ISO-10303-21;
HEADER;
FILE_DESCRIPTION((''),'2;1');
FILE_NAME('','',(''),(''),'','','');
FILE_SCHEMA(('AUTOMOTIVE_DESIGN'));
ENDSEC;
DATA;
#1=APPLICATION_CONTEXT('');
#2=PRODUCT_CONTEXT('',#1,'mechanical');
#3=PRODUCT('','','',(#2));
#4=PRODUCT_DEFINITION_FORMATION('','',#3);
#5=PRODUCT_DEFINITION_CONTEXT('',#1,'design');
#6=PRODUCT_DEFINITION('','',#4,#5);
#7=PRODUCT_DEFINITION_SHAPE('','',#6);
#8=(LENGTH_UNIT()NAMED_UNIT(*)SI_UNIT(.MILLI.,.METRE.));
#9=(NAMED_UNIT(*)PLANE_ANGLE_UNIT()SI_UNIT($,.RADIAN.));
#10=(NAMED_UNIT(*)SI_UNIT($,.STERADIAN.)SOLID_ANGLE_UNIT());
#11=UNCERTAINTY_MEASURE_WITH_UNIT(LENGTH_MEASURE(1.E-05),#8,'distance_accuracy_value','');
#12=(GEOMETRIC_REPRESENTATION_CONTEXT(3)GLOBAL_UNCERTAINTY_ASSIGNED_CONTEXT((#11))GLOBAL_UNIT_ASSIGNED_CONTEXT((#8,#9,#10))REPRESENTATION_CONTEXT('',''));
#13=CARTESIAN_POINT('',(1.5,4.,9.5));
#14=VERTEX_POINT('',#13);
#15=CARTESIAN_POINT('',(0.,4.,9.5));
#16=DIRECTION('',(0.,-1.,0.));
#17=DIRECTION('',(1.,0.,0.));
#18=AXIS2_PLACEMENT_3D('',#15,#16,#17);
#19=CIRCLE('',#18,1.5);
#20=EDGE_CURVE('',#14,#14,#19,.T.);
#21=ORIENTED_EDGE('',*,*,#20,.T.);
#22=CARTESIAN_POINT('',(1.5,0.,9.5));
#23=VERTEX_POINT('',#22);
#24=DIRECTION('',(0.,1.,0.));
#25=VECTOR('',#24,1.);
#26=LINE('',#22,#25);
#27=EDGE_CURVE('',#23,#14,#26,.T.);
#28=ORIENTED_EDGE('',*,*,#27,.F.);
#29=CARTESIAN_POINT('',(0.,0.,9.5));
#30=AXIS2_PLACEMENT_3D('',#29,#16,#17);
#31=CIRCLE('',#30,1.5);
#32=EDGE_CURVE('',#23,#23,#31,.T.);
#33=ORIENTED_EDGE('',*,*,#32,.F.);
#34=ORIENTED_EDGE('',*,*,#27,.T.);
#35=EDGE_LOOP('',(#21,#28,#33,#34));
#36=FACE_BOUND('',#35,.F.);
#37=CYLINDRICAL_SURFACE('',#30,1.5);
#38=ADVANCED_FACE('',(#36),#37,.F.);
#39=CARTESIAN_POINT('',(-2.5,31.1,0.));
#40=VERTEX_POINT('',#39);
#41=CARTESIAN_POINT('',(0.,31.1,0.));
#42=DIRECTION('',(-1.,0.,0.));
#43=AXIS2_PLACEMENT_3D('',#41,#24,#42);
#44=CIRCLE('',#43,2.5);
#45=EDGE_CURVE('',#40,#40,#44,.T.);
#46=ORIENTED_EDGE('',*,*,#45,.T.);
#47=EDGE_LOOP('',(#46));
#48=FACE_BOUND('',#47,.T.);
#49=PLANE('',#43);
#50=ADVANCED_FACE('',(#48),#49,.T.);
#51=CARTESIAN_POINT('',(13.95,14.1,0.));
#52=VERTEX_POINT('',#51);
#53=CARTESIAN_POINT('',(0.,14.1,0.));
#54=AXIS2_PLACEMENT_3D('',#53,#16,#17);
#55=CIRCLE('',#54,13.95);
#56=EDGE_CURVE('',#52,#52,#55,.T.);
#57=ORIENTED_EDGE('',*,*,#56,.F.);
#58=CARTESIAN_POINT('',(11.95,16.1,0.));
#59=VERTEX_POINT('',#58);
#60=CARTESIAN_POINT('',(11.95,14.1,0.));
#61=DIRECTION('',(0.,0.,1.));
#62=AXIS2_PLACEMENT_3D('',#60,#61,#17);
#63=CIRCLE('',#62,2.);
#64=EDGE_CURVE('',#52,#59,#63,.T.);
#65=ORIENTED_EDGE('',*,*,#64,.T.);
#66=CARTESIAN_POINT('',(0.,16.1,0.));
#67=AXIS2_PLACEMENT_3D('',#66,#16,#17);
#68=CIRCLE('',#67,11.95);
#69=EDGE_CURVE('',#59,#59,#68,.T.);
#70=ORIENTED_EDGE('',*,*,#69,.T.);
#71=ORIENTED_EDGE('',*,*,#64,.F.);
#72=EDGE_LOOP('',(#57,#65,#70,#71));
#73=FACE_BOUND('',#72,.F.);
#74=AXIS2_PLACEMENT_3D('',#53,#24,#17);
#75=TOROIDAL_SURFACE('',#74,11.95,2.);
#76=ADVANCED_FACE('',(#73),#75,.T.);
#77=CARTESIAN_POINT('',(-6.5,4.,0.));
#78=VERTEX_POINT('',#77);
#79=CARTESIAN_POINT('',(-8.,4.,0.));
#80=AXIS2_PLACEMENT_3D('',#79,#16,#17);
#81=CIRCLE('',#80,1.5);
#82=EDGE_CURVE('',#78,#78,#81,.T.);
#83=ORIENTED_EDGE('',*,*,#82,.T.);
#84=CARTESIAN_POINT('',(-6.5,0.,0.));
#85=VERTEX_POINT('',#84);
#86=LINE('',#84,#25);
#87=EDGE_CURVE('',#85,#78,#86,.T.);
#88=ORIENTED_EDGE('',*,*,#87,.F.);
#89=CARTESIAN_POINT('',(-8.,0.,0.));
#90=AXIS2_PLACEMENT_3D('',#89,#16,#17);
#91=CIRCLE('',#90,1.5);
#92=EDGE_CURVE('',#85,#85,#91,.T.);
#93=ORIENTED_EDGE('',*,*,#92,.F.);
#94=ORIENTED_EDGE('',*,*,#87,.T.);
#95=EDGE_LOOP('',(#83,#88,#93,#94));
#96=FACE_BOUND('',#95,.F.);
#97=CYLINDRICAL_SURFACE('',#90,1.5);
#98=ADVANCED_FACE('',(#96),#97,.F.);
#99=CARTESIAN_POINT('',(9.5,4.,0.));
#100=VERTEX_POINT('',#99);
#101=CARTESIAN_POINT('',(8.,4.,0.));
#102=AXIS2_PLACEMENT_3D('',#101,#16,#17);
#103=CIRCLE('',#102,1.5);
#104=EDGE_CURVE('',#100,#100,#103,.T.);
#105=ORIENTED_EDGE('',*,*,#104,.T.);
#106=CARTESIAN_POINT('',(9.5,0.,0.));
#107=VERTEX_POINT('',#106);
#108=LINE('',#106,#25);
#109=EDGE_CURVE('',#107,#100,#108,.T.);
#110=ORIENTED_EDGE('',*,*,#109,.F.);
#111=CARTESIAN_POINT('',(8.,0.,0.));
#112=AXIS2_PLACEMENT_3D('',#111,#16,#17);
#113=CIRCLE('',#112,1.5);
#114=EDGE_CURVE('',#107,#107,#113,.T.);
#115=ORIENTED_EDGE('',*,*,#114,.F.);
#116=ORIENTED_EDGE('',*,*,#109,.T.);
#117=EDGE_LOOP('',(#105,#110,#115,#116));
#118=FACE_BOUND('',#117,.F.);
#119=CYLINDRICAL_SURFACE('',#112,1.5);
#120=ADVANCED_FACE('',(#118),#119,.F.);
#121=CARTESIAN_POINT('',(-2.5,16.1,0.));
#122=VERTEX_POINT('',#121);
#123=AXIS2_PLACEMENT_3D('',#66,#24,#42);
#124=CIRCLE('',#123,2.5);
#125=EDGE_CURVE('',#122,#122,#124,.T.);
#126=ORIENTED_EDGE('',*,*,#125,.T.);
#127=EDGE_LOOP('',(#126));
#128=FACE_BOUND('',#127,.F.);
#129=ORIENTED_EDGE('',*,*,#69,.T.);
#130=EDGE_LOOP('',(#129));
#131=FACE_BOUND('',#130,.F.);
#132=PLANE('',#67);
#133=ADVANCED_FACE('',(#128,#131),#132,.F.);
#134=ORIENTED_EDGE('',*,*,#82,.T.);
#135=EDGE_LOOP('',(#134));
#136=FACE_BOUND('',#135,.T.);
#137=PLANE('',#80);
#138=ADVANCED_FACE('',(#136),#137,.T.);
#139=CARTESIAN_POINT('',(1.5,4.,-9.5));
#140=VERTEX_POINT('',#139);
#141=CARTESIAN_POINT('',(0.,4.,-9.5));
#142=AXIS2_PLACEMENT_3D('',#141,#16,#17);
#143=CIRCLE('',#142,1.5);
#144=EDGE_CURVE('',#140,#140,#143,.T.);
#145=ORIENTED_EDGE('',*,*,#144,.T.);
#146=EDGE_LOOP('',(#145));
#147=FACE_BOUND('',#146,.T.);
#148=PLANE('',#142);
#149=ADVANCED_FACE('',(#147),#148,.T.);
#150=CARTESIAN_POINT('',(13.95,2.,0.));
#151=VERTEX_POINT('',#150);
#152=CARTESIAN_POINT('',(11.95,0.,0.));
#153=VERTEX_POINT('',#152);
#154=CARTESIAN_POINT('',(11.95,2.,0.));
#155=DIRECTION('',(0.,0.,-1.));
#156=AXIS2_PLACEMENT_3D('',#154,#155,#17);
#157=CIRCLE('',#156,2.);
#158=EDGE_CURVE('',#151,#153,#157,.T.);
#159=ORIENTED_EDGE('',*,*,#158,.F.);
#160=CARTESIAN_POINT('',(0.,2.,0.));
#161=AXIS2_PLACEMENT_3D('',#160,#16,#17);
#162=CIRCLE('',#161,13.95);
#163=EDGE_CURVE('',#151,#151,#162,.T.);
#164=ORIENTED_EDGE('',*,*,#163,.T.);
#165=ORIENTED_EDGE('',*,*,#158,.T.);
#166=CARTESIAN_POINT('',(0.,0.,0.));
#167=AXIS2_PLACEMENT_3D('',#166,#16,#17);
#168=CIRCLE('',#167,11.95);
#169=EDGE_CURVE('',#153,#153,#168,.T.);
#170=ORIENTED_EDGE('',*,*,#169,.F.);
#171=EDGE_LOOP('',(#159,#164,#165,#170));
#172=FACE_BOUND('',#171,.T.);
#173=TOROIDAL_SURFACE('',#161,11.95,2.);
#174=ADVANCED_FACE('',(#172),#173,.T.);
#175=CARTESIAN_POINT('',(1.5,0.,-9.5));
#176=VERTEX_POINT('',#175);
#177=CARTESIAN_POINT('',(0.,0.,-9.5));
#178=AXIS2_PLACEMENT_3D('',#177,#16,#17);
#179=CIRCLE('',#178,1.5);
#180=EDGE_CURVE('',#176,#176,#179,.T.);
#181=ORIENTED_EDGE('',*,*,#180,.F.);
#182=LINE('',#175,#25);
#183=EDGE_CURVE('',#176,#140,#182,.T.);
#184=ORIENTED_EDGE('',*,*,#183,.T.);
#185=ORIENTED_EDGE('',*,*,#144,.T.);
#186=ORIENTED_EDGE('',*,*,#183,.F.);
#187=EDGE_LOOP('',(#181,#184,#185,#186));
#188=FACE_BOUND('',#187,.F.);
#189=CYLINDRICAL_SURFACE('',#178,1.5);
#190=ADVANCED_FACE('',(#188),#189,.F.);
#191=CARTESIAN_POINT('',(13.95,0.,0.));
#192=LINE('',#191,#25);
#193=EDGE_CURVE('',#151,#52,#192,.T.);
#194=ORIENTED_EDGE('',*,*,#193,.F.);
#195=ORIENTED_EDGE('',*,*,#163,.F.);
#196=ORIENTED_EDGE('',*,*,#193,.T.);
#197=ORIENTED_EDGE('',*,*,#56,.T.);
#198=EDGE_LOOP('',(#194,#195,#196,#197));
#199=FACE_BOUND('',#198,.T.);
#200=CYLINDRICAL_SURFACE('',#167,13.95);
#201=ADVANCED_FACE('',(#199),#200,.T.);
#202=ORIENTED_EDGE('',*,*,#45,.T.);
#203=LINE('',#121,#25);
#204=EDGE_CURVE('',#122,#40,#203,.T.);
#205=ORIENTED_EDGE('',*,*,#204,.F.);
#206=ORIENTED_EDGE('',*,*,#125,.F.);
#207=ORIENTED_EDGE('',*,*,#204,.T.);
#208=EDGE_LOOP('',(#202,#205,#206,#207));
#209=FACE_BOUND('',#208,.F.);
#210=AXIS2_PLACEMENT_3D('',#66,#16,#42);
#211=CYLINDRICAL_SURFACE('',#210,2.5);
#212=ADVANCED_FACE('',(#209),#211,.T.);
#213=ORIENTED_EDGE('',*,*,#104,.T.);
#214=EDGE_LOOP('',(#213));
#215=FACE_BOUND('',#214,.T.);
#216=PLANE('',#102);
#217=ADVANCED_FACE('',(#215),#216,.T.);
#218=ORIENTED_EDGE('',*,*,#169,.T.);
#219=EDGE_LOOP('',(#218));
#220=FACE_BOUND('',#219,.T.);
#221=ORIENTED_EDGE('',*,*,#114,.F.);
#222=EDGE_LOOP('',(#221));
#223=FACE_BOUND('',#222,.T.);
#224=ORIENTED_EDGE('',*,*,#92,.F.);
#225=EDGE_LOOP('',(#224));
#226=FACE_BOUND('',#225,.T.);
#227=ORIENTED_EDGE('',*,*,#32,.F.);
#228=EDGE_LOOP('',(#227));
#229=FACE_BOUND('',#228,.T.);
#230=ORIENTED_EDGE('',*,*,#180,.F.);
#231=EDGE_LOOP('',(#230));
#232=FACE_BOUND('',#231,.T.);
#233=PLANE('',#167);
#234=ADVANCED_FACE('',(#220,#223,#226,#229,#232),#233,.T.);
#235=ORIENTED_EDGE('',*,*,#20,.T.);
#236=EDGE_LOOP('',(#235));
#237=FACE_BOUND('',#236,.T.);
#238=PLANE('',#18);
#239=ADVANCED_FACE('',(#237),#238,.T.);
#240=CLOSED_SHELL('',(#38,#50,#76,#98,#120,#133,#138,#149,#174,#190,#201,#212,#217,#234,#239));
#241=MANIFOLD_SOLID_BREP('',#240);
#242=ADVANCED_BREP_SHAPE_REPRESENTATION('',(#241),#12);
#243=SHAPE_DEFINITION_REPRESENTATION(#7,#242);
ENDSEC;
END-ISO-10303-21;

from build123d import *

# Parameters (mm, degrees)
F0_R     = 13.95
F1_DEPTH = 16.1
F2_R     = 2.5
F3_DEPTH = 15
F4_R     = 1.5
F5_DEPTH = 4
F6_R     = 2


with BuildPart() as f1:
    # F0 (on Front) → F1 (new body)
    with BuildSketch(Plane.XZ):
        Circle(F0_R)
    extrude(amount=-F1_DEPTH)

    # F2 (on face) → F3 (join)
    with BuildSketch(Plane(origin=(0, 16.1, 0), x_dir=(-1, 0, 0), z_dir=(0, 1, 0))):
        Circle(F2_R)
    extrude(amount=F3_DEPTH)

    # F4 (on face) → F5 (cut)
    with BuildSketch(Plane.XZ):
        with Locations((0, 9.5)):
            Circle(F4_R)
        with Locations((0, -9.5)):
            Circle(F4_R)
        with Locations((-8, 0)):
            Circle(F4_R)
        with Locations((8, 0)):
            Circle(F4_R)
    extrude(amount=-F5_DEPTH, mode=Mode.SUBTRACT)

    # F6
    f6_edges = [f1.edges().sort_by_distance(p)[0] for p in [
        (13.95, 8.05, 0),
        (-13.95, 0, 0),
        (-13.95, 16.1, 0),
    ]]
    fillet(f6_edges, radius=F6_R)


solid = f1.part
